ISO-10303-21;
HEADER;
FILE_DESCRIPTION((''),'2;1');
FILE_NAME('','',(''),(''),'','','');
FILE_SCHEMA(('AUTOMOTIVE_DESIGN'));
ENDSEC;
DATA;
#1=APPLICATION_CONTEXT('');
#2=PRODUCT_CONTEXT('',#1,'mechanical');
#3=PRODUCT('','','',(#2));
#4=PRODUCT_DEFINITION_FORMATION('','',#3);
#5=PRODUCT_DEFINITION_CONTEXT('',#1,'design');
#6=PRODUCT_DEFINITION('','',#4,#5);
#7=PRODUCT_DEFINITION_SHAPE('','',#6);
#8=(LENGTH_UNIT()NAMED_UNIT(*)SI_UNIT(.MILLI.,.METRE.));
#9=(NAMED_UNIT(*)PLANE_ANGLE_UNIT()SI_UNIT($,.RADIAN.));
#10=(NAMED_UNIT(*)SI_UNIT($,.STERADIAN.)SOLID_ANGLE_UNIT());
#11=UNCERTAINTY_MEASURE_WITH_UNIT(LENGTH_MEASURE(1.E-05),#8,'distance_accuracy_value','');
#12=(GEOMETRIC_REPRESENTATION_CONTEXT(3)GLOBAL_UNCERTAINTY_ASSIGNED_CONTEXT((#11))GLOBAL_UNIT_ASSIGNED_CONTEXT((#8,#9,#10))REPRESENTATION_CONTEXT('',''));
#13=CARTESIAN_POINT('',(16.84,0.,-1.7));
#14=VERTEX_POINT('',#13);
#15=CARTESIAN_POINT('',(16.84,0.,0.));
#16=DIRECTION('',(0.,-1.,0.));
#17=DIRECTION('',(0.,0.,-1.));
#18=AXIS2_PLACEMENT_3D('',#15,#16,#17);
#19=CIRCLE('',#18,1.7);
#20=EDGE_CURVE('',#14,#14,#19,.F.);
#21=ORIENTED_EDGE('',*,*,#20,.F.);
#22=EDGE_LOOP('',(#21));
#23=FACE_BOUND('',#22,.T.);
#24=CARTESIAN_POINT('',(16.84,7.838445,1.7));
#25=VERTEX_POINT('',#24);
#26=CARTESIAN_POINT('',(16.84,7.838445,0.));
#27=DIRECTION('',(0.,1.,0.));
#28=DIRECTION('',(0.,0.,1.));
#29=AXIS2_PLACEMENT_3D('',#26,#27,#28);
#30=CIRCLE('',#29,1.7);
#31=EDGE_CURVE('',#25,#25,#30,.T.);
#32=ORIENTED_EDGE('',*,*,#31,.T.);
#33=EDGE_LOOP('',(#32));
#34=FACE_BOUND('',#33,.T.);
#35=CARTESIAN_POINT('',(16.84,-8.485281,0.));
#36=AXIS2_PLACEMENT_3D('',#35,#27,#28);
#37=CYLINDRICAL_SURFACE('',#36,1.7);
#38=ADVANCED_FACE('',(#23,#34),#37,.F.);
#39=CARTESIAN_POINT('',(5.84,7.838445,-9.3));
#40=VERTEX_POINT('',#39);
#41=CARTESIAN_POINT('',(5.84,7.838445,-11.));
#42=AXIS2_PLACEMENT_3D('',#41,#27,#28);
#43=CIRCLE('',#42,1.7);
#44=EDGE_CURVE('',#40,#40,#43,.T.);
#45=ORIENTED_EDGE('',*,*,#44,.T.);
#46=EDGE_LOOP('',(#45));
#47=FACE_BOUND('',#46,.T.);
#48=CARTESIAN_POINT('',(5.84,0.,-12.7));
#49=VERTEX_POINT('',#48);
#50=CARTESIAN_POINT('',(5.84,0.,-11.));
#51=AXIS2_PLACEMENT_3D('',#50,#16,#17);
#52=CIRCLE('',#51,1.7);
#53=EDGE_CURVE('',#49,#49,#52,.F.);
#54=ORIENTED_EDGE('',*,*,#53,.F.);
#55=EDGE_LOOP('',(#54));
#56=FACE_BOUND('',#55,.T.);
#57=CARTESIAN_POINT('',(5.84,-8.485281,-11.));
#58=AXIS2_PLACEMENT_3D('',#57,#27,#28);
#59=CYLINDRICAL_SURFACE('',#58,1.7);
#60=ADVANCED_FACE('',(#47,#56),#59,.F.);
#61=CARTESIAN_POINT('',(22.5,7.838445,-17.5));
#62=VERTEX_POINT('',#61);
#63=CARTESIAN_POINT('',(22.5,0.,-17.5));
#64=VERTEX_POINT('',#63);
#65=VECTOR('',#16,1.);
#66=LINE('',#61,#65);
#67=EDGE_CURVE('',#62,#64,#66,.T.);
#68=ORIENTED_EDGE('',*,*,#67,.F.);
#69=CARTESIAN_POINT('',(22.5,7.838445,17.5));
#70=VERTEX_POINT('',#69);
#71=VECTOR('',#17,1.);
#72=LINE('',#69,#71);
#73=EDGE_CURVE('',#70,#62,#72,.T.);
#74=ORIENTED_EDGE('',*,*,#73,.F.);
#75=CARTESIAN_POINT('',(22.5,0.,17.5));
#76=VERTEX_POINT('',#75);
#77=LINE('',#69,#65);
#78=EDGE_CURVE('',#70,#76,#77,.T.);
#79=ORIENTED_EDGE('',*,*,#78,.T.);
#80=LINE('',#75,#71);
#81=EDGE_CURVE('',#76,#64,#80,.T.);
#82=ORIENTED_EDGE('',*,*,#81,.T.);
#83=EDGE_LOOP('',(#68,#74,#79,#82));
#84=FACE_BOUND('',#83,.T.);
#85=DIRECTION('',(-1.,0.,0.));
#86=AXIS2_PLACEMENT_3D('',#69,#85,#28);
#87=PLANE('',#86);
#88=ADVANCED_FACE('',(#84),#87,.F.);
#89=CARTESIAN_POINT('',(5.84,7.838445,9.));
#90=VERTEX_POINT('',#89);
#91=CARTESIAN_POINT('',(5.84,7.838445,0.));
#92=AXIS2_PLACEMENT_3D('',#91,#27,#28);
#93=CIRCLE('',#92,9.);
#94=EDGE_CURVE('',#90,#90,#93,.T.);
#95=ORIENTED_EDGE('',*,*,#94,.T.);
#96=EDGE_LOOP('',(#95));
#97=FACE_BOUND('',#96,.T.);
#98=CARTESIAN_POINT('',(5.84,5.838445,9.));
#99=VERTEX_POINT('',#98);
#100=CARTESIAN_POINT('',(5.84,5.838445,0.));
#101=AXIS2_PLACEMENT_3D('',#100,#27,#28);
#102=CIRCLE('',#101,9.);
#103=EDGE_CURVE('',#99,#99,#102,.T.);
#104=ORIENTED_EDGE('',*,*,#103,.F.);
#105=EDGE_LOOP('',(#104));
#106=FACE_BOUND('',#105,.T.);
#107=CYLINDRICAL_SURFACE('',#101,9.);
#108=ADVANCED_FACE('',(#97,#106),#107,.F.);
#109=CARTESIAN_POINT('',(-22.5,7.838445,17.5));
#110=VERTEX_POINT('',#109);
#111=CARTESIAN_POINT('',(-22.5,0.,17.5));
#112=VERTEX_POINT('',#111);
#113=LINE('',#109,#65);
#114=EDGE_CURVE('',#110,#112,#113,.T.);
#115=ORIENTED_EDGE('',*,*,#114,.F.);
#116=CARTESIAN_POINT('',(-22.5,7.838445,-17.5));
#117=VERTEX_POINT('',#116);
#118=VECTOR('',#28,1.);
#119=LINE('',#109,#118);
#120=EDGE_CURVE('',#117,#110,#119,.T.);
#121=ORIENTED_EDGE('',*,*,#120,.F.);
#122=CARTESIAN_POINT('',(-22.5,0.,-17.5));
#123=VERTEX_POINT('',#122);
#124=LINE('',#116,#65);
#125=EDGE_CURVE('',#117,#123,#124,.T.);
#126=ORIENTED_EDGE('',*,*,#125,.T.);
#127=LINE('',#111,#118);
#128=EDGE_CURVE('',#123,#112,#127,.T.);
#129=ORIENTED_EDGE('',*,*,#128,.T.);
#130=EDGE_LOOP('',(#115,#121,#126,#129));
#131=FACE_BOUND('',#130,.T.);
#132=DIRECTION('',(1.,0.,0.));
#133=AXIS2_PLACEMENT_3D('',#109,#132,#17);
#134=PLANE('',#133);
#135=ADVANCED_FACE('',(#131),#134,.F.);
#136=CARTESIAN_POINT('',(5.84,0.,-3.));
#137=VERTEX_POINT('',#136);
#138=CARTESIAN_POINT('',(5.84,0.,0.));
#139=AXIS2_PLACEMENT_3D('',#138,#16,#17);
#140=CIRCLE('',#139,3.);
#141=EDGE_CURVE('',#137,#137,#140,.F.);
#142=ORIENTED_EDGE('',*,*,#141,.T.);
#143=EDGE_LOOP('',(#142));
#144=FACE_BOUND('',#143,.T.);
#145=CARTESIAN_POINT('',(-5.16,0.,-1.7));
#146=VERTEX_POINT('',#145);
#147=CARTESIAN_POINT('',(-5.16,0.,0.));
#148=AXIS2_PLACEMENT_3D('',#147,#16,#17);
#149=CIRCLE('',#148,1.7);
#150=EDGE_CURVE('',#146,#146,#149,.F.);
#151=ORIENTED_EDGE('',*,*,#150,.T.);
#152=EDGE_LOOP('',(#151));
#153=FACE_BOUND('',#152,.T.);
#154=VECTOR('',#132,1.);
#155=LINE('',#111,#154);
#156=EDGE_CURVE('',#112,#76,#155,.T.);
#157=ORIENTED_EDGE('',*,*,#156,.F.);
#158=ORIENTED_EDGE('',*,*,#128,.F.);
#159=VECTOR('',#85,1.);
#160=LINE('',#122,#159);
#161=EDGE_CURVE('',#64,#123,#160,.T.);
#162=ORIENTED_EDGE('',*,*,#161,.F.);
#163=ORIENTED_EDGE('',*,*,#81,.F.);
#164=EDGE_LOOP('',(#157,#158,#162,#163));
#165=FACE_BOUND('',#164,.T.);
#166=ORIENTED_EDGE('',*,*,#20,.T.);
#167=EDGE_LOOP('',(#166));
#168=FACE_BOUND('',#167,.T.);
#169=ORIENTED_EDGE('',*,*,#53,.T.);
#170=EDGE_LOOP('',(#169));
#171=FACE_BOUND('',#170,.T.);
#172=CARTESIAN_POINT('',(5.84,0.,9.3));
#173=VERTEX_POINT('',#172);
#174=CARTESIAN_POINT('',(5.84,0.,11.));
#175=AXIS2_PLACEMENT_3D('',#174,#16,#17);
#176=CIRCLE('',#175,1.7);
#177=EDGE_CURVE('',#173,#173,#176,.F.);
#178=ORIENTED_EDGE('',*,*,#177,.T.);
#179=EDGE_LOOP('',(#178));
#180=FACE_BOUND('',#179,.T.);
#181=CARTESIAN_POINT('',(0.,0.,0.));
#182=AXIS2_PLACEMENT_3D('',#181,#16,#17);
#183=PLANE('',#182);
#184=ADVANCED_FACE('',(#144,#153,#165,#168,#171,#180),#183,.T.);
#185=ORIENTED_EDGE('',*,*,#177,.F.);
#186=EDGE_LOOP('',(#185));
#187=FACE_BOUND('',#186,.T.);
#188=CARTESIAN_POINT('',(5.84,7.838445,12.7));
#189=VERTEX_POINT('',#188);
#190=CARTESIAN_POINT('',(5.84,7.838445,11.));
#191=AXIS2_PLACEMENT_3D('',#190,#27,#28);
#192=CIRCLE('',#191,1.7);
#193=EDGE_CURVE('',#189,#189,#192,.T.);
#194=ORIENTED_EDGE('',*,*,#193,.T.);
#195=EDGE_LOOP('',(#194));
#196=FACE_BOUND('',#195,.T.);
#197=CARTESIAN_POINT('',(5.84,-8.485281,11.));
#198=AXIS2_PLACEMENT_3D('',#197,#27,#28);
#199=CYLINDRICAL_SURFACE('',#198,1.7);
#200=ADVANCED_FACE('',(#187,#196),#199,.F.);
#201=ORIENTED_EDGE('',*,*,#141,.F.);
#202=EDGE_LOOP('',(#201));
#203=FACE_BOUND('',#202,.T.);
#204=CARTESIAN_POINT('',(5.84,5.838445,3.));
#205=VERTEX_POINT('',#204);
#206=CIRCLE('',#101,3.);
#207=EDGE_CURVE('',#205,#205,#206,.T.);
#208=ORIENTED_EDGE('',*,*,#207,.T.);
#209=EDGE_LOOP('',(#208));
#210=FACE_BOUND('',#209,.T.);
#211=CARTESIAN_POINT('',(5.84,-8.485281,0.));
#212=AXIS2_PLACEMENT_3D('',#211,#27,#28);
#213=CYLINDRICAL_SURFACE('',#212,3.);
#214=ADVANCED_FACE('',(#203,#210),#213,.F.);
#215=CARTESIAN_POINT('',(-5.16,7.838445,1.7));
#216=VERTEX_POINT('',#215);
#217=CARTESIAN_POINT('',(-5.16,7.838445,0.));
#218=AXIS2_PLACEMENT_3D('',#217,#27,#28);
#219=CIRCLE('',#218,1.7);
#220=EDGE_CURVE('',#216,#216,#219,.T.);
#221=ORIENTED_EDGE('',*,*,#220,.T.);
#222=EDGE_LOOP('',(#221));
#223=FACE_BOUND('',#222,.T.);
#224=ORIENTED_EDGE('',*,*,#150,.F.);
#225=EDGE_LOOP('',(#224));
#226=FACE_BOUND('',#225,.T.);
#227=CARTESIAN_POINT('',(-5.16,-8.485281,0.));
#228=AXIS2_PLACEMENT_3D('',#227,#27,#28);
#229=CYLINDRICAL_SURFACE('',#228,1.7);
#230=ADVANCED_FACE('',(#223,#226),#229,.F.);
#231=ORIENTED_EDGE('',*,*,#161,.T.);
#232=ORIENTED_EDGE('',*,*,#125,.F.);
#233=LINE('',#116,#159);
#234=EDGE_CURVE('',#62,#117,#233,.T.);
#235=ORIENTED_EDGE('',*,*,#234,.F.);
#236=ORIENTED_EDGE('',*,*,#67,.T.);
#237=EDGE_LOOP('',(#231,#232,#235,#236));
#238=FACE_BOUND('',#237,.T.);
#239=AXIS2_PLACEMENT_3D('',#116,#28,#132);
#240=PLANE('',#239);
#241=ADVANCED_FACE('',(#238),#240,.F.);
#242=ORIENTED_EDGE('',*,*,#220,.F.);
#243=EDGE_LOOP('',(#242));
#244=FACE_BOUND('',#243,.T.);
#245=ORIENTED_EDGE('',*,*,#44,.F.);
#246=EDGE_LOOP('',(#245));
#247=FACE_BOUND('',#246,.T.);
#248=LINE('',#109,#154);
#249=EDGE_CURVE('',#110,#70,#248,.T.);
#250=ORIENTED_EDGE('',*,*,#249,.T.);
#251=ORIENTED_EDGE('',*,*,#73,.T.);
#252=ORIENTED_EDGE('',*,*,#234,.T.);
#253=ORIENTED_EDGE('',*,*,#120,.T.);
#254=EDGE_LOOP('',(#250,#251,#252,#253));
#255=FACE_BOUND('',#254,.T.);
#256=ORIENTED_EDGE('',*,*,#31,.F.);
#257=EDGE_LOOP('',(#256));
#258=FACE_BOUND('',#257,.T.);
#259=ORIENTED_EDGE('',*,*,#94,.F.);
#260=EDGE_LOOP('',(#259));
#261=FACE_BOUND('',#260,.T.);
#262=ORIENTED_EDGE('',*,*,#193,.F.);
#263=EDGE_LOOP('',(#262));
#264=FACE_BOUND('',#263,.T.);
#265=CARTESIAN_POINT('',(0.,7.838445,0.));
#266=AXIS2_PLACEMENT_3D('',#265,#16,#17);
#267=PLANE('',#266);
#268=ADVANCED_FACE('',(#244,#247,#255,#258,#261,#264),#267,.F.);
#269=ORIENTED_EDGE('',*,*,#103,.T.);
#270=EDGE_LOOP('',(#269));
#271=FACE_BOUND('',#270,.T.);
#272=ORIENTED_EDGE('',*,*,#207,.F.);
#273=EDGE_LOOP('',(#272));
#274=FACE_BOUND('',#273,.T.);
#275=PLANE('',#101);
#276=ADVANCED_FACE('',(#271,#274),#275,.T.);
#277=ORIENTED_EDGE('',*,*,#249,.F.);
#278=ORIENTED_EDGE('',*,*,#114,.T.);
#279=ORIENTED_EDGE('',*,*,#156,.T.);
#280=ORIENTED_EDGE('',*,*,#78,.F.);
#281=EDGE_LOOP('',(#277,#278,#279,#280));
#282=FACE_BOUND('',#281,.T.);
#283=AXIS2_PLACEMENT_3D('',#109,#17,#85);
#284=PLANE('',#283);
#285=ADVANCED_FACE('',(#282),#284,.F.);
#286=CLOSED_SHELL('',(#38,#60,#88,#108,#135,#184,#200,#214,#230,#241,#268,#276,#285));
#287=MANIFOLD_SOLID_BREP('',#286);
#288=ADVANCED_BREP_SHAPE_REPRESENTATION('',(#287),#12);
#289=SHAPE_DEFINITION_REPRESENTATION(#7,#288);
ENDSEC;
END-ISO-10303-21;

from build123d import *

# Parameters (mm, degrees)
SKETCH1_W           = 45
SKETCH1_H           = 35
BOSS_EXTRUDE1_DEPTH = 7.838444594
SKETCH4_R           = 9
CUT_EXTRUDE3_DEPTH  = 2
SKETCH5_R           = 1.7
SKETCH5_R_2         = 3
CUT_EXTRUDE4_DEPTH  = 7.838444594


with BuildPart() as part:
    # Sketch1 → Boss-Extrude1 (new body)
    with BuildSketch(Plane(origin=(0, 0, 0), x_dir=(1, 0, 0), z_dir=(0, 1, 0))):
        Rectangle(SKETCH1_W, SKETCH1_H)
    extrude(amount=BOSS_EXTRUDE1_DEPTH)

    # Sketch4 → Cut-Extrude3 (cut)
    with BuildSketch(Plane(origin=(0, 7.838444594, 0), x_dir=(1, 0, 0), z_dir=(0, 1, 0))):
        with Locations(Location((5.84, 0, 0), (0, 0, 270))):
            Circle(SKETCH4_R)
    extrude(amount=-CUT_EXTRUDE3_DEPTH, mode=Mode.SUBTRACT)

    # Sketch5 → Cut-Extrude4 (cut)
    with BuildSketch(Plane(origin=(0, 7.838444594, 0), x_dir=(1, 0, 0), z_dir=(0, 1, 0))):
        with Locations(Location((5.84, 11, 0), (0, 0, 270))):
            Circle(SKETCH5_R)
        with Locations(Location((16.84, 0, 0), (0, 0, 270))):
            Circle(SKETCH5_R)
        with Locations(Location((5.84, -11, 0), (0, 0, 270))):
            Circle(SKETCH5_R)
        with Locations(Location((-5.16, 0, 0), (0, 0, 270))):
            Circle(SKETCH5_R)
        with Locations(Location((5.84, 0, 0), (0, 0, 270))):
            Circle(SKETCH5_R_2)
    extrude(amount=-CUT_EXTRUDE4_DEPTH, mode=Mode.SUBTRACT)


solid = part.part
